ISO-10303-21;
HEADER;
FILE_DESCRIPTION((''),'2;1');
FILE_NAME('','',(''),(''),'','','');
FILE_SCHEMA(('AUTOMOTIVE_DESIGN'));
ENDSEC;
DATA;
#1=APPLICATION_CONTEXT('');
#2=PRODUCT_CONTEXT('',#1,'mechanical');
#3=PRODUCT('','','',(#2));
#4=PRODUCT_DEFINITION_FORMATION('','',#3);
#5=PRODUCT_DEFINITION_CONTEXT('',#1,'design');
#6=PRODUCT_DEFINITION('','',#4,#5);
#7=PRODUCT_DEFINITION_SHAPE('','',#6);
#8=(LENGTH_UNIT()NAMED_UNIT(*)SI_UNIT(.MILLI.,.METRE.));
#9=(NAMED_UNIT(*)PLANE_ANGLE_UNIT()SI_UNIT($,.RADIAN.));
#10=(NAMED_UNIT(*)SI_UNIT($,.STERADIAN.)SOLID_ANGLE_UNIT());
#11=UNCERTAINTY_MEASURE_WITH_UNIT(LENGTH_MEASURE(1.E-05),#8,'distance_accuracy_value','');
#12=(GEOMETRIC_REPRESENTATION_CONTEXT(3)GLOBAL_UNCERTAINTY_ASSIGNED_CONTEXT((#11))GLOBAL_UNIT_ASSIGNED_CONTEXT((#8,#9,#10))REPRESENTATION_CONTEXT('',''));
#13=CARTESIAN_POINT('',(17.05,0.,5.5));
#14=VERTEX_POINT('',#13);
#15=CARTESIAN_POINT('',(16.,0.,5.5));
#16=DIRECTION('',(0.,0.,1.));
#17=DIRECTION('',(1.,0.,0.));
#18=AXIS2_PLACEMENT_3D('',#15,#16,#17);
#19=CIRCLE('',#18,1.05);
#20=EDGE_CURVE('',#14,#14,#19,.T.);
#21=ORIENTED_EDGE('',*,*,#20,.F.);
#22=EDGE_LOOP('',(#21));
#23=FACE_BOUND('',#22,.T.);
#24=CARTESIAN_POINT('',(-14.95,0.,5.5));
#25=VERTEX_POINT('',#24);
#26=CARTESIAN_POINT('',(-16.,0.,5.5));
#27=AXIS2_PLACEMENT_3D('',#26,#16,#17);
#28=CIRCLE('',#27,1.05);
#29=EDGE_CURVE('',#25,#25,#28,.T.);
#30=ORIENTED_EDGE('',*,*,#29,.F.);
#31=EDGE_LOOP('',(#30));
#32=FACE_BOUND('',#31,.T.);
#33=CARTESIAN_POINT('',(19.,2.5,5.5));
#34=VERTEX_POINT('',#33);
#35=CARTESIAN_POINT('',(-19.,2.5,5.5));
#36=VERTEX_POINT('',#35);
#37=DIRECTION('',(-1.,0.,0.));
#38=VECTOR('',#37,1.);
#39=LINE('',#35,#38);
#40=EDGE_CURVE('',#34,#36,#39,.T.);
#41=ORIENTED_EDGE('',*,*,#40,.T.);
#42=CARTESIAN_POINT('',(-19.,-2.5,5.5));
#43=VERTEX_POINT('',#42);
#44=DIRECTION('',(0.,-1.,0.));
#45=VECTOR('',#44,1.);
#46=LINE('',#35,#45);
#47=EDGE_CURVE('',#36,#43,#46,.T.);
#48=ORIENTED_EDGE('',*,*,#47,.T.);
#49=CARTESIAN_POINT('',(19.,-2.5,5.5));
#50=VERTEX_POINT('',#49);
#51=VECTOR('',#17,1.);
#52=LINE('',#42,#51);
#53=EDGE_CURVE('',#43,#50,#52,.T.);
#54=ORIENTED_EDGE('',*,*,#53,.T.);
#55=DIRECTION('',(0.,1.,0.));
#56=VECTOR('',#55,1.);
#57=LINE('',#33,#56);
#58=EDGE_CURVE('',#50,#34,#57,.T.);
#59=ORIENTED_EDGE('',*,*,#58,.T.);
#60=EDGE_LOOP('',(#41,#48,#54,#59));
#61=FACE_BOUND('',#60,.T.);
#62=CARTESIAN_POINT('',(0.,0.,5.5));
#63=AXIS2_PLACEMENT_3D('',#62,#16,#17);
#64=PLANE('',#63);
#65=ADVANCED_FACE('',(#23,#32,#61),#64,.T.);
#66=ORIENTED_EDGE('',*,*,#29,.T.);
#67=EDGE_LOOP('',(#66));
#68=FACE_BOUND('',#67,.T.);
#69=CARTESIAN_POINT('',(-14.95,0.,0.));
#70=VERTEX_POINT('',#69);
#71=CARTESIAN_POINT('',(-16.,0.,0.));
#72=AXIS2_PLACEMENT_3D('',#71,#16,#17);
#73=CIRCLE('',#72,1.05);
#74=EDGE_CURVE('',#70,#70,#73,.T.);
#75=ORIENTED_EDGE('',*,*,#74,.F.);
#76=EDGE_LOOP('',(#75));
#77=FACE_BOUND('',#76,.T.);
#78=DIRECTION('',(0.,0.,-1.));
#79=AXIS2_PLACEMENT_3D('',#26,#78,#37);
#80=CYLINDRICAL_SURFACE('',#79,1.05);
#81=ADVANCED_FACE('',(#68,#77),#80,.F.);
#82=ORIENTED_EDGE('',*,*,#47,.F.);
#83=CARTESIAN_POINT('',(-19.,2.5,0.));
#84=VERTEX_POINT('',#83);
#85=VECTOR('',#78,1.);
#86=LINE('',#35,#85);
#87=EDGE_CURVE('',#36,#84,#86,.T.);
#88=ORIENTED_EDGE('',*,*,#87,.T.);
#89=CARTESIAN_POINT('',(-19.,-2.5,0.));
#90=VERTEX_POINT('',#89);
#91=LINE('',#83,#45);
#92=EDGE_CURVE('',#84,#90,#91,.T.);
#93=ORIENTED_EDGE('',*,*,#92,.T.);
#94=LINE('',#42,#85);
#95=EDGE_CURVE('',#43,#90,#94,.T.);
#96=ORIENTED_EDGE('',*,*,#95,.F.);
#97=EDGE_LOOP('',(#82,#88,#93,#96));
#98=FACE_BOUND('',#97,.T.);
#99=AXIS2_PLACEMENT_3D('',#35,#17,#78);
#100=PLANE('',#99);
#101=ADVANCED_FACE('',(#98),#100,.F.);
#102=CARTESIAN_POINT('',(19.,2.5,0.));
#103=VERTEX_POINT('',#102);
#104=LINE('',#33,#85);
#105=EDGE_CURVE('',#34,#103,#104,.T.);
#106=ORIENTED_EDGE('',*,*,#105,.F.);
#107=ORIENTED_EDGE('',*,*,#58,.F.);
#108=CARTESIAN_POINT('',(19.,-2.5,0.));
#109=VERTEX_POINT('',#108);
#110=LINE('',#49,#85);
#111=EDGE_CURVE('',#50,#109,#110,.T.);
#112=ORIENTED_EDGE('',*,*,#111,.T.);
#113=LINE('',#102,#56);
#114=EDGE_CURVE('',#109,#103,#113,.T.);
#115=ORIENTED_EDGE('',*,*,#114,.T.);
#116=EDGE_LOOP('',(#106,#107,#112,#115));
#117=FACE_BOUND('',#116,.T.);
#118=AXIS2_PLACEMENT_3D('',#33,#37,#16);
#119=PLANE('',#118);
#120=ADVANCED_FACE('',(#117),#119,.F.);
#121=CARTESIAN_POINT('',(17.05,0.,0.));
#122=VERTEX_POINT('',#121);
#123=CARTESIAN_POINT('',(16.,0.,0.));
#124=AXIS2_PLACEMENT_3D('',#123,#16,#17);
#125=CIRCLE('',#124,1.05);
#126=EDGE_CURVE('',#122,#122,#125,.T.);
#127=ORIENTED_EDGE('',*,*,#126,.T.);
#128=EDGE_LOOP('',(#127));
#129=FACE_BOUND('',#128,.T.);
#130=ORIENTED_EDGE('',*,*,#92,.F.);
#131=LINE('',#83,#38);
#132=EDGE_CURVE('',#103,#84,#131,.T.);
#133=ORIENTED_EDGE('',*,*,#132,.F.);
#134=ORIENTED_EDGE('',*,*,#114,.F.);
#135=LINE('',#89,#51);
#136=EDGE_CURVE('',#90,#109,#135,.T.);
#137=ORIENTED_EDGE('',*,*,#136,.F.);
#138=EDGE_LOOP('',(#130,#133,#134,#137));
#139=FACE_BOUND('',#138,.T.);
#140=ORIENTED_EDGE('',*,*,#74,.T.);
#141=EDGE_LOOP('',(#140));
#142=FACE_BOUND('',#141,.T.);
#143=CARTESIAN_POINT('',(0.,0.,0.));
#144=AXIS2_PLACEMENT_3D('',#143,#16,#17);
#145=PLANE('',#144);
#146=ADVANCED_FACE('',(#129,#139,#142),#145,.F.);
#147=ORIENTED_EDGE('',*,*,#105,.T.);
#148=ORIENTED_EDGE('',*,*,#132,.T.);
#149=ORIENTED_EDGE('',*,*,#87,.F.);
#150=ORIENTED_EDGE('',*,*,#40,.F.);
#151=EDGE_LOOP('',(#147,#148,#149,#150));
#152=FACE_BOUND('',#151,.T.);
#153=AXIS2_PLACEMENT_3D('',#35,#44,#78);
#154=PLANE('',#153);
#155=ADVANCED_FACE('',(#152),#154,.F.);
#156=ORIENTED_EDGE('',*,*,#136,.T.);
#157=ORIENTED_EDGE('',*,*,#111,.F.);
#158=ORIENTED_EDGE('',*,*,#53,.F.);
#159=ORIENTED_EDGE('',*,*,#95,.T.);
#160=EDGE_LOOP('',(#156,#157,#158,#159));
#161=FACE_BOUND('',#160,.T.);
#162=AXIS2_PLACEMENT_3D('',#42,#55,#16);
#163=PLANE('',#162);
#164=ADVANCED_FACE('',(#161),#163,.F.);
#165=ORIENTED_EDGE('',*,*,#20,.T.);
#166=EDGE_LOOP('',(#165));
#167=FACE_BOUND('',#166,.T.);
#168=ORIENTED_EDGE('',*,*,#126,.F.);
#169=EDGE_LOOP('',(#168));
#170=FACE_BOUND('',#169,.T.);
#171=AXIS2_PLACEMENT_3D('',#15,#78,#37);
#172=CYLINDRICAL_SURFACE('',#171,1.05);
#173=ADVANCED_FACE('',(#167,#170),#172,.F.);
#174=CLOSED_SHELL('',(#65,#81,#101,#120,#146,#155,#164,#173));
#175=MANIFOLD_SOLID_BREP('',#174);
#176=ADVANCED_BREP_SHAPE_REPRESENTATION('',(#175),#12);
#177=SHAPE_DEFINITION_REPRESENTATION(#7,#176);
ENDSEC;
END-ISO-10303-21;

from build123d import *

# Parameters (mm, degrees)
SKETCH_1_W      = 38
SKETCH_1_H      = 5
SKETCH_1_R      = 1.05
EXTRUDE_1_DEPTH = 5.5


with BuildPart() as part:
    # ｽｹｯﾁ1 → ﾎﾞｽ - 押し出し1 (new body)
    with BuildSketch(Plane.XY):
        Rectangle(SKETCH_1_W, SKETCH_1_H)
        with Locations((-16, 0)):
            Circle(SKETCH_1_R, mode=Mode.SUBTRACT)
        with Locations((16, 0)):
            Circle(SKETCH_1_R, mode=Mode.SUBTRACT)
    extrude(amount=EXTRUDE_1_DEPTH)


solid = part.part
